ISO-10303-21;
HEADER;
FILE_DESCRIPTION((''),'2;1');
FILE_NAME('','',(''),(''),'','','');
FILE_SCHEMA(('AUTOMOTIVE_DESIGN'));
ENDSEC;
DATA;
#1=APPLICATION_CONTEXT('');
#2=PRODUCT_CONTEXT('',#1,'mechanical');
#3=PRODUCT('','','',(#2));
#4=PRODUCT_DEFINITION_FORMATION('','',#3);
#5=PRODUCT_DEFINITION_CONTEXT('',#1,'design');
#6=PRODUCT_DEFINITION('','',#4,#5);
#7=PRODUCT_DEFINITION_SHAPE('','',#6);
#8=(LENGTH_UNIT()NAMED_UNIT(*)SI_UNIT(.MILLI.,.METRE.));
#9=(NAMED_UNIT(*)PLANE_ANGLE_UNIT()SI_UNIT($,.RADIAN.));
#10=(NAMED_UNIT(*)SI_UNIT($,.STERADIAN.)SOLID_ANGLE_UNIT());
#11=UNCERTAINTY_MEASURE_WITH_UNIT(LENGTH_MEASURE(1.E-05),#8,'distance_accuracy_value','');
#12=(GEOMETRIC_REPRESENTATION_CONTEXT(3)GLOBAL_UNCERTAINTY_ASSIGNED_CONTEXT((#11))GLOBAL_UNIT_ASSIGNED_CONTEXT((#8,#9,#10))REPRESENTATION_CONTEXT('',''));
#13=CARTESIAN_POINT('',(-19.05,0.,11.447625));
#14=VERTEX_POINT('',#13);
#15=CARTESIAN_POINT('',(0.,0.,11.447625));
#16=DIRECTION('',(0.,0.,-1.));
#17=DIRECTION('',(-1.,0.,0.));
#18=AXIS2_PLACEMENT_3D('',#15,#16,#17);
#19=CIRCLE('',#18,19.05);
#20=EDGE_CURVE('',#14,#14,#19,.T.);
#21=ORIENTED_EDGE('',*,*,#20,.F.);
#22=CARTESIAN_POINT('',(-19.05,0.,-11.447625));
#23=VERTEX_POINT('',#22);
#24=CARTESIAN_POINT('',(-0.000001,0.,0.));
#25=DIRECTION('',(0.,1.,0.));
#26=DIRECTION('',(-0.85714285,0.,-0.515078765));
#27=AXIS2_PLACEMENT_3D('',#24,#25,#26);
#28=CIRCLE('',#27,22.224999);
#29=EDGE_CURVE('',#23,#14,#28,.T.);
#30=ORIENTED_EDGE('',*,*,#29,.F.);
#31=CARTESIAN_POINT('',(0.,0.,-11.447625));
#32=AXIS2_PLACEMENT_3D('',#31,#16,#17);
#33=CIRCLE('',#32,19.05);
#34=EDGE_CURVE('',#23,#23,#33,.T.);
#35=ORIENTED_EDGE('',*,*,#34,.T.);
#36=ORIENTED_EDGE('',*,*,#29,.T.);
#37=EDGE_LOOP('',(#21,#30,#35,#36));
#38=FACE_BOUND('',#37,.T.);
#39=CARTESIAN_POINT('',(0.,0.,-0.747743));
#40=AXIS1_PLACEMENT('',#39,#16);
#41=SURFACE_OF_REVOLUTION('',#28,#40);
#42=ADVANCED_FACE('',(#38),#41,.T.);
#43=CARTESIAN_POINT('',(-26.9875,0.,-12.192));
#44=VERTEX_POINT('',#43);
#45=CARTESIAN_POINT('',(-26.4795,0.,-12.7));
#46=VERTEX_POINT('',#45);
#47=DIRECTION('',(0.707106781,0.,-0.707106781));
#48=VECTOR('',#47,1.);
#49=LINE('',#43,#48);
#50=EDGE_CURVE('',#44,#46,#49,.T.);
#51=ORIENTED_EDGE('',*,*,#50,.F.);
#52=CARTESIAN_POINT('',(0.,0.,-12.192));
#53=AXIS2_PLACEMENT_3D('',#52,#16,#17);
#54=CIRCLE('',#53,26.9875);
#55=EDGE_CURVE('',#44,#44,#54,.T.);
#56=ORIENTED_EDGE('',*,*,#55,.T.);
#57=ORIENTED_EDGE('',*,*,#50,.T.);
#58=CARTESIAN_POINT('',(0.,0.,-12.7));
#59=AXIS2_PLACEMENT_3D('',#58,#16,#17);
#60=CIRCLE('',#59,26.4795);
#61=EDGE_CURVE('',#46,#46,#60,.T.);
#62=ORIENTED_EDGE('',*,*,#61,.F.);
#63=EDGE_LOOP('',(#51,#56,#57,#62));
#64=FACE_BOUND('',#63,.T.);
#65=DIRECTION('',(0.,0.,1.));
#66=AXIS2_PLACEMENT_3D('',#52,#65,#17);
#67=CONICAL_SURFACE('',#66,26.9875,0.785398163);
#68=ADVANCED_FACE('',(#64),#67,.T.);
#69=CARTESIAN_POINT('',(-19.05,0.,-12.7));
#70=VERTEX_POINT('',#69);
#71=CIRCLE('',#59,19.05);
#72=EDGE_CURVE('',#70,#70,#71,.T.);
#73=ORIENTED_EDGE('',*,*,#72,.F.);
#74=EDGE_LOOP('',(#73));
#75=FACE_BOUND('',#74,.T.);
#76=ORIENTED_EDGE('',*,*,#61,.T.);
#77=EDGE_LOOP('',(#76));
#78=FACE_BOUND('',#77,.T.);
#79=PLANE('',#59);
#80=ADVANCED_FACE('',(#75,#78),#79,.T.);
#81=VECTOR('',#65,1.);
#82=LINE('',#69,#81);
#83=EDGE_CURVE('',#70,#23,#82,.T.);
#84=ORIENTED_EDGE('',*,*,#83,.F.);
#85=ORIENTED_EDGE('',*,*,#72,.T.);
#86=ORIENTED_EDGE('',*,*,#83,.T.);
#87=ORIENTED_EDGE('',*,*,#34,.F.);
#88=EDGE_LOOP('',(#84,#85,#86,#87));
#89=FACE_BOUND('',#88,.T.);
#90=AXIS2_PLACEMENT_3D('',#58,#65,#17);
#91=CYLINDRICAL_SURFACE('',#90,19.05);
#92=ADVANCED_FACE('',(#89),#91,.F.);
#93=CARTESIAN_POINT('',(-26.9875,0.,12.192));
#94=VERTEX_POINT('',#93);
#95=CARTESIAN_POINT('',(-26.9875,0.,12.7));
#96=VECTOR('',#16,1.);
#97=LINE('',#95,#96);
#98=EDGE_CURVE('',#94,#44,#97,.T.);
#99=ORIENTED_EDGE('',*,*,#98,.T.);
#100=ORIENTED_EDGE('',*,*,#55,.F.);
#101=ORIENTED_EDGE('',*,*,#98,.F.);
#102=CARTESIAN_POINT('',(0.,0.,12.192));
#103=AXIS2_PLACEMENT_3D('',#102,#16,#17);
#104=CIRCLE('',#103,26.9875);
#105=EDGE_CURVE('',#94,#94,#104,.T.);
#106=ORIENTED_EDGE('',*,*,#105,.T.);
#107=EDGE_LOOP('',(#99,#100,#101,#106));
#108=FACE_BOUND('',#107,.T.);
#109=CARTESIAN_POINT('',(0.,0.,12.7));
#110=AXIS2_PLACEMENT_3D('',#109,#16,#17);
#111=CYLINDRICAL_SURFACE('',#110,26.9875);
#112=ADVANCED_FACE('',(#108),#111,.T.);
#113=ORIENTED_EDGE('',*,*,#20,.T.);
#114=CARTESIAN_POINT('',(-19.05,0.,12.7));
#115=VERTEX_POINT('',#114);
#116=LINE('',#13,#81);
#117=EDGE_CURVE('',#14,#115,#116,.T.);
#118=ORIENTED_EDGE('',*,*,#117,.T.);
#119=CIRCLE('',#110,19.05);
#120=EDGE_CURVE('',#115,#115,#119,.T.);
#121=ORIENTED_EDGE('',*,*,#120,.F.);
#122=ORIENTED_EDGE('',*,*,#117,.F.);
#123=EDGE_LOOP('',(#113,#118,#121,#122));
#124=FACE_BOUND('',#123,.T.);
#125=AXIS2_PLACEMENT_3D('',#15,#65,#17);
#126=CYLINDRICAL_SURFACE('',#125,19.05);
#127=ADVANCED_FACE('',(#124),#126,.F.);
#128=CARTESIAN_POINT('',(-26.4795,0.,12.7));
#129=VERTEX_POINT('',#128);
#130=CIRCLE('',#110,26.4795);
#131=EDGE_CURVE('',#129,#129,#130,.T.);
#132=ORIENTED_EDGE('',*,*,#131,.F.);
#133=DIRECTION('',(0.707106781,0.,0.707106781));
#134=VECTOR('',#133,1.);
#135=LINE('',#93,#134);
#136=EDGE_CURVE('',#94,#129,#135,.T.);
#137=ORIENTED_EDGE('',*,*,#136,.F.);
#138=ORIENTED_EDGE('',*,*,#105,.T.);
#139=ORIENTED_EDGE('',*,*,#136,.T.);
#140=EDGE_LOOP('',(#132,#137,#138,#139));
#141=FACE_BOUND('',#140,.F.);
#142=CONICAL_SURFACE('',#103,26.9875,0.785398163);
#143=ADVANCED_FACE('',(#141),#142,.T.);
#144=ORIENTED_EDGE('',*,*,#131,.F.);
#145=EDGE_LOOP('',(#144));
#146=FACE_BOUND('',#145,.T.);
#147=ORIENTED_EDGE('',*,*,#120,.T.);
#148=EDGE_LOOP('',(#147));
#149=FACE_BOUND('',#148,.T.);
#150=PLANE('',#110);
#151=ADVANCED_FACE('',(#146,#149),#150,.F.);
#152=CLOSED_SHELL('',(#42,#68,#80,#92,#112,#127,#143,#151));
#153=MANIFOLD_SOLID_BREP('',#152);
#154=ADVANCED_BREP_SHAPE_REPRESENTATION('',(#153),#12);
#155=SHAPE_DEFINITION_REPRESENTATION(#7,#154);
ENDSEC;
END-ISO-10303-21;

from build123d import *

# Parameters (mm, degrees)
F2_SIZE = 0.508


with BuildPart() as f1:
    # F0 (on Front) → F1 (revolve)
    with BuildSketch(Plane.XZ):
        with BuildLine():
            Line((-26.9875, 12.7), (-26.9875, -12.7))
            Line((-26.9875, -12.7), (-19.05, -12.7))
            Line((-19.05, -12.7), (-19.05, -11.447625))
            ThreePointArc((-19.05, -11.447625), (-22.225, 0), (-19.05, 11.447625))
            Line((-19.05, 11.447625), (-19.05, 12.7))
            Line((-19.05, 12.7), (-26.9875, 12.7))
        make_face()
    revolve(axis=Axis((0, 0, -0.747743), (0, 0, -1)))

    # F2
    f2_edges = [f1.edges().sort_by_distance(p)[0] for p in [
        (26.9875, 0, 12.7),
        (26.9875, 0, -12.7),
    ]]
    chamfer(f2_edges, length=F2_SIZE)


solid = f1.part
